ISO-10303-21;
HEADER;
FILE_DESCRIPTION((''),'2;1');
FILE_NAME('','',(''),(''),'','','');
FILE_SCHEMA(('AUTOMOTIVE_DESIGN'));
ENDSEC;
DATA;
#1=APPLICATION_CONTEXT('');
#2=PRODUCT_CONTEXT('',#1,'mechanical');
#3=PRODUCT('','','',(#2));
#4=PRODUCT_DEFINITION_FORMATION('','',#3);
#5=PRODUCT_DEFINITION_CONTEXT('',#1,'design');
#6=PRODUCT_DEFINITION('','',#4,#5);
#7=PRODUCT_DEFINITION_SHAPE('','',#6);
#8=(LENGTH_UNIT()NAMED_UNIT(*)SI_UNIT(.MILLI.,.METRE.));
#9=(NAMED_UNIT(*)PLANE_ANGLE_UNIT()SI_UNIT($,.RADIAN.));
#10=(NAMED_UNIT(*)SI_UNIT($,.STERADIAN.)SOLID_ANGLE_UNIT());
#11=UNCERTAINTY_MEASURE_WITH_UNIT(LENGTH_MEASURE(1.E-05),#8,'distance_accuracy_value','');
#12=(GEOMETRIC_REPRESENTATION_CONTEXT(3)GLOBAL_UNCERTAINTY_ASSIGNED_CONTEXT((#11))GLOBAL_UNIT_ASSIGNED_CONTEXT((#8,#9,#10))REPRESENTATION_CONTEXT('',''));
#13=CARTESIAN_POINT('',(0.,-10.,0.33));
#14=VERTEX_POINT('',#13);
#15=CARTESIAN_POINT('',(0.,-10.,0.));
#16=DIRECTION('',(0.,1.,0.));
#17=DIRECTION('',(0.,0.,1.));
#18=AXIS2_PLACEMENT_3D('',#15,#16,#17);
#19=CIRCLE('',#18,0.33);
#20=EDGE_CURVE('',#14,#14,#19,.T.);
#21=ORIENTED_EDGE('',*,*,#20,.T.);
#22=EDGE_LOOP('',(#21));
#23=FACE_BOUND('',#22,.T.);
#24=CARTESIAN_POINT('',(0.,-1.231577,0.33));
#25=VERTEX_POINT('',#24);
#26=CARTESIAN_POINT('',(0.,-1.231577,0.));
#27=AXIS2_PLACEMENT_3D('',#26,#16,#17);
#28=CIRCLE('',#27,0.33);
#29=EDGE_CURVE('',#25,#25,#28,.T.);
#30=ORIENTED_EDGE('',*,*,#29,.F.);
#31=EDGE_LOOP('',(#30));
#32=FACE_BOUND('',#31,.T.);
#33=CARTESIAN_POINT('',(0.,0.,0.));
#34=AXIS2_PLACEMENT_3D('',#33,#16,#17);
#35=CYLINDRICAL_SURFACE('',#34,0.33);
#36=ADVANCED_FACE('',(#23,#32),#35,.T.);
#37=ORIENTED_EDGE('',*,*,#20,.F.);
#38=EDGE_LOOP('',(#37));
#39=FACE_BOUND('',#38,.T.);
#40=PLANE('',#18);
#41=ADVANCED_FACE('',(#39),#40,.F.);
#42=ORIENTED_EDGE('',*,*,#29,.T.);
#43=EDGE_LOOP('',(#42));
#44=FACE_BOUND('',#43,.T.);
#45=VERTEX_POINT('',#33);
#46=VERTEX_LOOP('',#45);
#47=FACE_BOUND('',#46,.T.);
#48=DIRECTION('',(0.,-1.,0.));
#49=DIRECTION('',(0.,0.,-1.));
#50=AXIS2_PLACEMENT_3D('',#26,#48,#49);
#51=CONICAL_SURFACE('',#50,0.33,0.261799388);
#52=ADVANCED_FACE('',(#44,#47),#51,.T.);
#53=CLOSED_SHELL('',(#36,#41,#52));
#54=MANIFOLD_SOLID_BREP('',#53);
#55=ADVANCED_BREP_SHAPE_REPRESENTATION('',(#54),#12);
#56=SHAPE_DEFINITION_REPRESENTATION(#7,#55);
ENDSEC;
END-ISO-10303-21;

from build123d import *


with BuildPart() as part:
    # Sketch1 → Revolve1 (revolve)
    with BuildSketch(Plane(origin=(0, 0, 0), x_dir=(0, 0, -1), z_dir=(1, 0, 0))):
        Polygon((0, 0), (0, -10), (0.33, -10), (0.33, -1.231576766), align=None)
    revolve(axis=Axis((0, 0, 0), (0, -1, 0)))


solid = part.part
